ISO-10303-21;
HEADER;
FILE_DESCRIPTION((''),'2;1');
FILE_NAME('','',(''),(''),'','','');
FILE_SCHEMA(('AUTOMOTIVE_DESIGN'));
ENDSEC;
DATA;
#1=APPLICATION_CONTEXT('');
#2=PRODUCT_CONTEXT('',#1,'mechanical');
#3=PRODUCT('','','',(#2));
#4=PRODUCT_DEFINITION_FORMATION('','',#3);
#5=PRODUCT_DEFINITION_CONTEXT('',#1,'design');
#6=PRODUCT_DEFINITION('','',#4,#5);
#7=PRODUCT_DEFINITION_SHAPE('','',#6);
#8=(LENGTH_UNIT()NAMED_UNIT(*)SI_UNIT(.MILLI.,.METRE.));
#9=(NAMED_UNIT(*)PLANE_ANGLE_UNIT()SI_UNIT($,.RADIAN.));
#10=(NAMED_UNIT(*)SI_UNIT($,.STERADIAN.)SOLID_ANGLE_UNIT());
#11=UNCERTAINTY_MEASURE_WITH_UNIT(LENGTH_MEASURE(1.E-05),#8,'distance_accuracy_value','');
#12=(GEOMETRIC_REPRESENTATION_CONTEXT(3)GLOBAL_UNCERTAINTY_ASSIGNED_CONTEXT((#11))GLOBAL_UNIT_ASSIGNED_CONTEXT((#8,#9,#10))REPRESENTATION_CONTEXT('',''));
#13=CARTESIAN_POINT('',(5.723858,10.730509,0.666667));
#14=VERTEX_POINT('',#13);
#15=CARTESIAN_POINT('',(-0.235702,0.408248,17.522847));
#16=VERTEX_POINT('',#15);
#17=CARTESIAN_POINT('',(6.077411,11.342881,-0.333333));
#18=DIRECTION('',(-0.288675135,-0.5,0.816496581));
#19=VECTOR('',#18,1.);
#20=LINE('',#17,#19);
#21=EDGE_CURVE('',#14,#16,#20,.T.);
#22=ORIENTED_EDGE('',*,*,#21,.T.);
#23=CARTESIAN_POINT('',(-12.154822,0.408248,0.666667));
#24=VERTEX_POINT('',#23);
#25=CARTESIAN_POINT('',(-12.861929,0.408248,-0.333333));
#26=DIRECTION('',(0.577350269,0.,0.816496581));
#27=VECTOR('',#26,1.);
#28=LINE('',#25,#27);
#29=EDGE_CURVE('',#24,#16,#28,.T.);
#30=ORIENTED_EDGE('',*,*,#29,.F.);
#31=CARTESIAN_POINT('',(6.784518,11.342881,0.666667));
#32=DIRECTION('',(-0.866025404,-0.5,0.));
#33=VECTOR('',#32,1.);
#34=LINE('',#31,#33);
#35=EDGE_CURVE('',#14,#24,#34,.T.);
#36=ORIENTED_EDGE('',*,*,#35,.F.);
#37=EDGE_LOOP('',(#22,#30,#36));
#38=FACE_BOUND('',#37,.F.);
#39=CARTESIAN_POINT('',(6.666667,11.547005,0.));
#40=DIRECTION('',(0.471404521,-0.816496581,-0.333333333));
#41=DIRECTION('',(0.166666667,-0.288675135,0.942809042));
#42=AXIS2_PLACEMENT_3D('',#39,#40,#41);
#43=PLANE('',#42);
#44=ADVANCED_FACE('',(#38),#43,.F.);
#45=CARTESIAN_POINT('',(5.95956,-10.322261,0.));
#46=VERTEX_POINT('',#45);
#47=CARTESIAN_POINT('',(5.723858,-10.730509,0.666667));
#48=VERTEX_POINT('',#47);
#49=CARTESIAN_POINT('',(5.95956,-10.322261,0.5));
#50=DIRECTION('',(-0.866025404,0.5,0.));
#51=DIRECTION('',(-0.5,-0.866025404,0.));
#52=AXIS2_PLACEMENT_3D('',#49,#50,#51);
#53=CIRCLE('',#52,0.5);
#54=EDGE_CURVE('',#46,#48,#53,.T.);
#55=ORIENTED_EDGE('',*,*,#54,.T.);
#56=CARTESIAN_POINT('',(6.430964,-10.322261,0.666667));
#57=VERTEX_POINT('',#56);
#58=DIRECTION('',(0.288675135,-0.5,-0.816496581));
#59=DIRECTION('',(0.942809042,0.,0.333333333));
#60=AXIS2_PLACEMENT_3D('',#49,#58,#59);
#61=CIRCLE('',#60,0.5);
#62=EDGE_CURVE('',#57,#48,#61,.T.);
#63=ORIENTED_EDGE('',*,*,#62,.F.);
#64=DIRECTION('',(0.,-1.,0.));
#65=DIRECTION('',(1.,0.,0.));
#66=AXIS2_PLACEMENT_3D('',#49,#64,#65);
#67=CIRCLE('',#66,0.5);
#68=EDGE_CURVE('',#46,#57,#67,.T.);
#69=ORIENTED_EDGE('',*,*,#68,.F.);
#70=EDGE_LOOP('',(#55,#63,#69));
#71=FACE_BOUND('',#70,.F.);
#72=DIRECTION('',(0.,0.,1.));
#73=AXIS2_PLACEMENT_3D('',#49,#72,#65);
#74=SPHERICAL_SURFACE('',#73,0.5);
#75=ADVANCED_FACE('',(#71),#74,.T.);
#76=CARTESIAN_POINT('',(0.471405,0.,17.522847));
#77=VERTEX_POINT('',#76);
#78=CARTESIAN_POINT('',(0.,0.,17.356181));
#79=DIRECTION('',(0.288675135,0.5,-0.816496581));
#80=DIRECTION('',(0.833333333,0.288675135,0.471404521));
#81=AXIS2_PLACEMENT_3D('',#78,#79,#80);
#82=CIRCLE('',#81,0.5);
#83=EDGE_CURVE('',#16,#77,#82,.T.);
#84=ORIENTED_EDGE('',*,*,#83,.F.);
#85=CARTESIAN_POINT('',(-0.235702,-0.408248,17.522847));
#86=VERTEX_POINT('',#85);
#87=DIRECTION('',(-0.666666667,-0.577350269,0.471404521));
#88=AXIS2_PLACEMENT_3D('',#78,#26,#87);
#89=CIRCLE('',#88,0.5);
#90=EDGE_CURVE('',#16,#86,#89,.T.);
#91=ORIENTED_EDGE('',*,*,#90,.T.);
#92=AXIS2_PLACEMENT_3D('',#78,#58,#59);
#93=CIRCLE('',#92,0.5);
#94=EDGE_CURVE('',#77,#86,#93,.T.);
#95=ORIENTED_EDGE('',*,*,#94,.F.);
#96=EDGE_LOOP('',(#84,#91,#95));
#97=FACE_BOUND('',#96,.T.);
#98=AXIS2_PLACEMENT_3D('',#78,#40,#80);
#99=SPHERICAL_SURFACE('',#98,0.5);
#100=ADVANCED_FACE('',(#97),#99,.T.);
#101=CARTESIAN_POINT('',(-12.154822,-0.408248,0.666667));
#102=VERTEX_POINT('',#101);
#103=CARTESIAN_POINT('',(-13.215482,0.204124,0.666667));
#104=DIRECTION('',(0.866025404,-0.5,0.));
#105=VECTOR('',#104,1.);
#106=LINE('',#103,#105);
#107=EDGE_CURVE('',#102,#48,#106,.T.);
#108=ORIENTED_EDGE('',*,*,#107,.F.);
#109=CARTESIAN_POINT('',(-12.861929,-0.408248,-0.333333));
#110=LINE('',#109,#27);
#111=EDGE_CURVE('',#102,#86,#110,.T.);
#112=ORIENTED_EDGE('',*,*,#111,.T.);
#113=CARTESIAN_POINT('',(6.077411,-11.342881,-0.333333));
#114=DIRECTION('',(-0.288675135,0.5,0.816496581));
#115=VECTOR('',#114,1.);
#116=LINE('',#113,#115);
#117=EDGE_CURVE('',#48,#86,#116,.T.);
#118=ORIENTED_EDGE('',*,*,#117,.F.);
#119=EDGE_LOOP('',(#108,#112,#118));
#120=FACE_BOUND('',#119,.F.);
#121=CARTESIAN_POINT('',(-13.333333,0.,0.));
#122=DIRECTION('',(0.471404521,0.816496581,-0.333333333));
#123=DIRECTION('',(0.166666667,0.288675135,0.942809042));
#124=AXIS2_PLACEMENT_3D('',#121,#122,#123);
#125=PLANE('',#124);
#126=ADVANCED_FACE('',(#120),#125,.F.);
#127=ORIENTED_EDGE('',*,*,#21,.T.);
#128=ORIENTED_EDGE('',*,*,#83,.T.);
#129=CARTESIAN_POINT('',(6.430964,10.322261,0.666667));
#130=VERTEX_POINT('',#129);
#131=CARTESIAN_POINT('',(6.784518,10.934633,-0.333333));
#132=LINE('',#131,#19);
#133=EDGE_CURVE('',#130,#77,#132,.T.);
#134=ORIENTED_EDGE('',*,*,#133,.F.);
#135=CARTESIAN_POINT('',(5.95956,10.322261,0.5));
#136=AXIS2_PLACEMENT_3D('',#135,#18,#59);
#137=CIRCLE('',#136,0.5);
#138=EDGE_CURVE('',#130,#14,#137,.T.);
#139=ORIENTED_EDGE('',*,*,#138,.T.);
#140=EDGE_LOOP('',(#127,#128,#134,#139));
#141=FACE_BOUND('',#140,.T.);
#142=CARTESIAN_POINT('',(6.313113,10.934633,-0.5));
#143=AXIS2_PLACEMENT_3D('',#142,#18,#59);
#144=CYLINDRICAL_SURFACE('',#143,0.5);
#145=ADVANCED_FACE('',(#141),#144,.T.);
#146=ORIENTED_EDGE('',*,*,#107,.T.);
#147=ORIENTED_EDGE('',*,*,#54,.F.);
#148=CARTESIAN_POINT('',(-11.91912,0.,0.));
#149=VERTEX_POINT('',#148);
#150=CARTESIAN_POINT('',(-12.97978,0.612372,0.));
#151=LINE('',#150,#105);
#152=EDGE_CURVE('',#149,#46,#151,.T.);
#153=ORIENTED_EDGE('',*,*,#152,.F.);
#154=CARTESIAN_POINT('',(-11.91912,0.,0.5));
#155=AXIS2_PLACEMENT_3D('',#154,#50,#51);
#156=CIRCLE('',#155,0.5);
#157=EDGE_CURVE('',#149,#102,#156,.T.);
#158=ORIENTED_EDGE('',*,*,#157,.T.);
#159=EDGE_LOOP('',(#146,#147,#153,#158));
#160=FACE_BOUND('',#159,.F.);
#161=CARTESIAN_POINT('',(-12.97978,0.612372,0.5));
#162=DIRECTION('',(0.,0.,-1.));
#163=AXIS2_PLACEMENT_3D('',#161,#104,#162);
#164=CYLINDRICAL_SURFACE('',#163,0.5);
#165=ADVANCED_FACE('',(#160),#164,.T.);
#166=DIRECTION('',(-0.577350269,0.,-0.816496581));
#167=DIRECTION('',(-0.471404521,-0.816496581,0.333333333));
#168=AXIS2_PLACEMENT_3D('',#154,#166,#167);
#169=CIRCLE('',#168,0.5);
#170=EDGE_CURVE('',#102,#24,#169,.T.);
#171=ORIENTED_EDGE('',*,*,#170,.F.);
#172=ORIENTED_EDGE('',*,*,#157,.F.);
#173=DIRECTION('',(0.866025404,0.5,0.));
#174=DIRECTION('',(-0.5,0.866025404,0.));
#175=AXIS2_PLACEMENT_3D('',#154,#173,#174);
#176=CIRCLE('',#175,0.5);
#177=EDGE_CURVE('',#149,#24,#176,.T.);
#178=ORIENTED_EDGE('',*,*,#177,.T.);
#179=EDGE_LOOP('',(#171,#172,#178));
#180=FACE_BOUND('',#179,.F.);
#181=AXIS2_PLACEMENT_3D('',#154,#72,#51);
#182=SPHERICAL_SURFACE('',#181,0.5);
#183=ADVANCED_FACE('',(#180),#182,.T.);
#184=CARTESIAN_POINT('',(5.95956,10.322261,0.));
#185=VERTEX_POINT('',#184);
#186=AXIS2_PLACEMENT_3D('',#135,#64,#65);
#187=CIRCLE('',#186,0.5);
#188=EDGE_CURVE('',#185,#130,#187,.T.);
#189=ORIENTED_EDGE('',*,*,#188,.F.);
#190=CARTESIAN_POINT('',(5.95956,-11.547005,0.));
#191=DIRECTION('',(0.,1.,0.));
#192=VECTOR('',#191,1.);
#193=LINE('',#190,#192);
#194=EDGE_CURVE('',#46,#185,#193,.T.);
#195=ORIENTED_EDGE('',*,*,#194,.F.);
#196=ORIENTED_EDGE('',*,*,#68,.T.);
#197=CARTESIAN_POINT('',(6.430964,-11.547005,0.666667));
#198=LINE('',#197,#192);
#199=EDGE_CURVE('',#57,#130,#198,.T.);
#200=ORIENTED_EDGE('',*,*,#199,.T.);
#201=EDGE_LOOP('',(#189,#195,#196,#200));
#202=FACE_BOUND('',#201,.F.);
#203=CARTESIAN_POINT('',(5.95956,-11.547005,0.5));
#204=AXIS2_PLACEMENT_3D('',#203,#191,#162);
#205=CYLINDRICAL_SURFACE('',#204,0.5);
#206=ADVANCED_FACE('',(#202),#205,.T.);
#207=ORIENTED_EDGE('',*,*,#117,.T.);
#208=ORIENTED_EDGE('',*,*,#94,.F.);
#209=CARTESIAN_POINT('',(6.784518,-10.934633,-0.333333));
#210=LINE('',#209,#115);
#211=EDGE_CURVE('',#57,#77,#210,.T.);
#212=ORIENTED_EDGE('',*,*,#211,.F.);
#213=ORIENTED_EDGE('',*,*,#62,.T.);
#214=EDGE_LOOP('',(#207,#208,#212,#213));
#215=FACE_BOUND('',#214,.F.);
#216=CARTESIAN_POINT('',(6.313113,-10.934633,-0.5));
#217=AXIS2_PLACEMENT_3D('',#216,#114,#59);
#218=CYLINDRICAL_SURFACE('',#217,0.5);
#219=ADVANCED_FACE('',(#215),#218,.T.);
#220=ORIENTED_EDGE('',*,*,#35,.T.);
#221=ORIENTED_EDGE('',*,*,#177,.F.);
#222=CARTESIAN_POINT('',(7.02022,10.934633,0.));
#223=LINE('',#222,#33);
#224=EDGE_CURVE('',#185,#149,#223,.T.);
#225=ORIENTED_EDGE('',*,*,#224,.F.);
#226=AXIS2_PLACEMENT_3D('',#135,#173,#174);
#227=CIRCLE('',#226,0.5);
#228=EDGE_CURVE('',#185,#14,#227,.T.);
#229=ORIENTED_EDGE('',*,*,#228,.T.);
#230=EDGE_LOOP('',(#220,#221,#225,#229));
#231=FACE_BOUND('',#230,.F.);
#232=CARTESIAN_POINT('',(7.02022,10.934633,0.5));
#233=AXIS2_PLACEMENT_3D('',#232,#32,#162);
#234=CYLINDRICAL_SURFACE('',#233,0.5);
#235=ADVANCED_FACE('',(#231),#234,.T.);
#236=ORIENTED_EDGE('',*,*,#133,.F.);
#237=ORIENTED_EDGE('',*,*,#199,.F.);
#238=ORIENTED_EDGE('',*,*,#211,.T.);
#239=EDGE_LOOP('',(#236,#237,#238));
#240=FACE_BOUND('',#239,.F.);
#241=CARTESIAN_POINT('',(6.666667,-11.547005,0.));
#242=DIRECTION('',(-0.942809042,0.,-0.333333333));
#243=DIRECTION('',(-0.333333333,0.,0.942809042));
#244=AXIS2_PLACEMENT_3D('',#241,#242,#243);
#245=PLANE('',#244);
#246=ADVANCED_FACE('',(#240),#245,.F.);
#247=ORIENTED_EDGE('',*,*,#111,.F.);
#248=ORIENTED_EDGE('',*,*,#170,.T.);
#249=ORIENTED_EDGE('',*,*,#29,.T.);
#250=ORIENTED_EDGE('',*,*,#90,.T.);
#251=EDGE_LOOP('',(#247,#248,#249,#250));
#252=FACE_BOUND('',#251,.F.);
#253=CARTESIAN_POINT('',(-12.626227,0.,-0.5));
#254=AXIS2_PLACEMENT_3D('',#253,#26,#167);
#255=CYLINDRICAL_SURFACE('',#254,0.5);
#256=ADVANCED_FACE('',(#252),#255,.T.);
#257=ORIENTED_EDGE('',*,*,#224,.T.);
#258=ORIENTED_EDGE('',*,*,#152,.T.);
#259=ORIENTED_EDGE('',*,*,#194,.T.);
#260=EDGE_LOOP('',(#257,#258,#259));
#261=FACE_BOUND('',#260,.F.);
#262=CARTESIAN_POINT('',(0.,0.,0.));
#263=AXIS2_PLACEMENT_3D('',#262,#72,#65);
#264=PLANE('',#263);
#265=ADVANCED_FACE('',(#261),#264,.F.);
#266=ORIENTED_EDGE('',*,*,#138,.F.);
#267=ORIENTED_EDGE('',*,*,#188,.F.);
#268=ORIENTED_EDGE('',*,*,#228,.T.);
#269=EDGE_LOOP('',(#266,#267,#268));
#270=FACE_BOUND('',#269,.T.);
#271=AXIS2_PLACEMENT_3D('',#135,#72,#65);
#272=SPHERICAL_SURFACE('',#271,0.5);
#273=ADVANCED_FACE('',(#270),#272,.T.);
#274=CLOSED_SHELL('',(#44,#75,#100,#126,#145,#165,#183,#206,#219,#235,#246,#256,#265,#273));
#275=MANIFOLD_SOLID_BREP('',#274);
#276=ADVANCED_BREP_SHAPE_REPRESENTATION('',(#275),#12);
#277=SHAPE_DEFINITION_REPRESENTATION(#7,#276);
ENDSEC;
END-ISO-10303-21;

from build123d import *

# Parameters (mm, degrees)
F2_DEPTH = 25
F2_TAPER = 19.4712206345
F3_R     = 0.5


with BuildPart() as f2:
    # F1 (on Top) → F2 (new body)
    with BuildSketch(Plane.XY):
        Polygon((6.6666666667, -11.5470053838), (6.6666666667, 11.5470053838), (-13.3333333333, 0), align=None)
    extrude(amount=F2_DEPTH, taper=F2_TAPER)

    # F3
    f3_edges = [f2.edges().sort_by_distance(p)[0] for p in [
        (3.333333, -5.773502, 9.428092),
        (3.333332, 5.773501, 9.428093),
        (6.666667, 0, 0),
        (-6.666666, 0, 9.428092),
        (-3.333333, -5.773503, 0),
        (-3.333333, 5.773503, 0),
    ]]
    fillet(f3_edges, radius=F3_R)


solid = f2.part
